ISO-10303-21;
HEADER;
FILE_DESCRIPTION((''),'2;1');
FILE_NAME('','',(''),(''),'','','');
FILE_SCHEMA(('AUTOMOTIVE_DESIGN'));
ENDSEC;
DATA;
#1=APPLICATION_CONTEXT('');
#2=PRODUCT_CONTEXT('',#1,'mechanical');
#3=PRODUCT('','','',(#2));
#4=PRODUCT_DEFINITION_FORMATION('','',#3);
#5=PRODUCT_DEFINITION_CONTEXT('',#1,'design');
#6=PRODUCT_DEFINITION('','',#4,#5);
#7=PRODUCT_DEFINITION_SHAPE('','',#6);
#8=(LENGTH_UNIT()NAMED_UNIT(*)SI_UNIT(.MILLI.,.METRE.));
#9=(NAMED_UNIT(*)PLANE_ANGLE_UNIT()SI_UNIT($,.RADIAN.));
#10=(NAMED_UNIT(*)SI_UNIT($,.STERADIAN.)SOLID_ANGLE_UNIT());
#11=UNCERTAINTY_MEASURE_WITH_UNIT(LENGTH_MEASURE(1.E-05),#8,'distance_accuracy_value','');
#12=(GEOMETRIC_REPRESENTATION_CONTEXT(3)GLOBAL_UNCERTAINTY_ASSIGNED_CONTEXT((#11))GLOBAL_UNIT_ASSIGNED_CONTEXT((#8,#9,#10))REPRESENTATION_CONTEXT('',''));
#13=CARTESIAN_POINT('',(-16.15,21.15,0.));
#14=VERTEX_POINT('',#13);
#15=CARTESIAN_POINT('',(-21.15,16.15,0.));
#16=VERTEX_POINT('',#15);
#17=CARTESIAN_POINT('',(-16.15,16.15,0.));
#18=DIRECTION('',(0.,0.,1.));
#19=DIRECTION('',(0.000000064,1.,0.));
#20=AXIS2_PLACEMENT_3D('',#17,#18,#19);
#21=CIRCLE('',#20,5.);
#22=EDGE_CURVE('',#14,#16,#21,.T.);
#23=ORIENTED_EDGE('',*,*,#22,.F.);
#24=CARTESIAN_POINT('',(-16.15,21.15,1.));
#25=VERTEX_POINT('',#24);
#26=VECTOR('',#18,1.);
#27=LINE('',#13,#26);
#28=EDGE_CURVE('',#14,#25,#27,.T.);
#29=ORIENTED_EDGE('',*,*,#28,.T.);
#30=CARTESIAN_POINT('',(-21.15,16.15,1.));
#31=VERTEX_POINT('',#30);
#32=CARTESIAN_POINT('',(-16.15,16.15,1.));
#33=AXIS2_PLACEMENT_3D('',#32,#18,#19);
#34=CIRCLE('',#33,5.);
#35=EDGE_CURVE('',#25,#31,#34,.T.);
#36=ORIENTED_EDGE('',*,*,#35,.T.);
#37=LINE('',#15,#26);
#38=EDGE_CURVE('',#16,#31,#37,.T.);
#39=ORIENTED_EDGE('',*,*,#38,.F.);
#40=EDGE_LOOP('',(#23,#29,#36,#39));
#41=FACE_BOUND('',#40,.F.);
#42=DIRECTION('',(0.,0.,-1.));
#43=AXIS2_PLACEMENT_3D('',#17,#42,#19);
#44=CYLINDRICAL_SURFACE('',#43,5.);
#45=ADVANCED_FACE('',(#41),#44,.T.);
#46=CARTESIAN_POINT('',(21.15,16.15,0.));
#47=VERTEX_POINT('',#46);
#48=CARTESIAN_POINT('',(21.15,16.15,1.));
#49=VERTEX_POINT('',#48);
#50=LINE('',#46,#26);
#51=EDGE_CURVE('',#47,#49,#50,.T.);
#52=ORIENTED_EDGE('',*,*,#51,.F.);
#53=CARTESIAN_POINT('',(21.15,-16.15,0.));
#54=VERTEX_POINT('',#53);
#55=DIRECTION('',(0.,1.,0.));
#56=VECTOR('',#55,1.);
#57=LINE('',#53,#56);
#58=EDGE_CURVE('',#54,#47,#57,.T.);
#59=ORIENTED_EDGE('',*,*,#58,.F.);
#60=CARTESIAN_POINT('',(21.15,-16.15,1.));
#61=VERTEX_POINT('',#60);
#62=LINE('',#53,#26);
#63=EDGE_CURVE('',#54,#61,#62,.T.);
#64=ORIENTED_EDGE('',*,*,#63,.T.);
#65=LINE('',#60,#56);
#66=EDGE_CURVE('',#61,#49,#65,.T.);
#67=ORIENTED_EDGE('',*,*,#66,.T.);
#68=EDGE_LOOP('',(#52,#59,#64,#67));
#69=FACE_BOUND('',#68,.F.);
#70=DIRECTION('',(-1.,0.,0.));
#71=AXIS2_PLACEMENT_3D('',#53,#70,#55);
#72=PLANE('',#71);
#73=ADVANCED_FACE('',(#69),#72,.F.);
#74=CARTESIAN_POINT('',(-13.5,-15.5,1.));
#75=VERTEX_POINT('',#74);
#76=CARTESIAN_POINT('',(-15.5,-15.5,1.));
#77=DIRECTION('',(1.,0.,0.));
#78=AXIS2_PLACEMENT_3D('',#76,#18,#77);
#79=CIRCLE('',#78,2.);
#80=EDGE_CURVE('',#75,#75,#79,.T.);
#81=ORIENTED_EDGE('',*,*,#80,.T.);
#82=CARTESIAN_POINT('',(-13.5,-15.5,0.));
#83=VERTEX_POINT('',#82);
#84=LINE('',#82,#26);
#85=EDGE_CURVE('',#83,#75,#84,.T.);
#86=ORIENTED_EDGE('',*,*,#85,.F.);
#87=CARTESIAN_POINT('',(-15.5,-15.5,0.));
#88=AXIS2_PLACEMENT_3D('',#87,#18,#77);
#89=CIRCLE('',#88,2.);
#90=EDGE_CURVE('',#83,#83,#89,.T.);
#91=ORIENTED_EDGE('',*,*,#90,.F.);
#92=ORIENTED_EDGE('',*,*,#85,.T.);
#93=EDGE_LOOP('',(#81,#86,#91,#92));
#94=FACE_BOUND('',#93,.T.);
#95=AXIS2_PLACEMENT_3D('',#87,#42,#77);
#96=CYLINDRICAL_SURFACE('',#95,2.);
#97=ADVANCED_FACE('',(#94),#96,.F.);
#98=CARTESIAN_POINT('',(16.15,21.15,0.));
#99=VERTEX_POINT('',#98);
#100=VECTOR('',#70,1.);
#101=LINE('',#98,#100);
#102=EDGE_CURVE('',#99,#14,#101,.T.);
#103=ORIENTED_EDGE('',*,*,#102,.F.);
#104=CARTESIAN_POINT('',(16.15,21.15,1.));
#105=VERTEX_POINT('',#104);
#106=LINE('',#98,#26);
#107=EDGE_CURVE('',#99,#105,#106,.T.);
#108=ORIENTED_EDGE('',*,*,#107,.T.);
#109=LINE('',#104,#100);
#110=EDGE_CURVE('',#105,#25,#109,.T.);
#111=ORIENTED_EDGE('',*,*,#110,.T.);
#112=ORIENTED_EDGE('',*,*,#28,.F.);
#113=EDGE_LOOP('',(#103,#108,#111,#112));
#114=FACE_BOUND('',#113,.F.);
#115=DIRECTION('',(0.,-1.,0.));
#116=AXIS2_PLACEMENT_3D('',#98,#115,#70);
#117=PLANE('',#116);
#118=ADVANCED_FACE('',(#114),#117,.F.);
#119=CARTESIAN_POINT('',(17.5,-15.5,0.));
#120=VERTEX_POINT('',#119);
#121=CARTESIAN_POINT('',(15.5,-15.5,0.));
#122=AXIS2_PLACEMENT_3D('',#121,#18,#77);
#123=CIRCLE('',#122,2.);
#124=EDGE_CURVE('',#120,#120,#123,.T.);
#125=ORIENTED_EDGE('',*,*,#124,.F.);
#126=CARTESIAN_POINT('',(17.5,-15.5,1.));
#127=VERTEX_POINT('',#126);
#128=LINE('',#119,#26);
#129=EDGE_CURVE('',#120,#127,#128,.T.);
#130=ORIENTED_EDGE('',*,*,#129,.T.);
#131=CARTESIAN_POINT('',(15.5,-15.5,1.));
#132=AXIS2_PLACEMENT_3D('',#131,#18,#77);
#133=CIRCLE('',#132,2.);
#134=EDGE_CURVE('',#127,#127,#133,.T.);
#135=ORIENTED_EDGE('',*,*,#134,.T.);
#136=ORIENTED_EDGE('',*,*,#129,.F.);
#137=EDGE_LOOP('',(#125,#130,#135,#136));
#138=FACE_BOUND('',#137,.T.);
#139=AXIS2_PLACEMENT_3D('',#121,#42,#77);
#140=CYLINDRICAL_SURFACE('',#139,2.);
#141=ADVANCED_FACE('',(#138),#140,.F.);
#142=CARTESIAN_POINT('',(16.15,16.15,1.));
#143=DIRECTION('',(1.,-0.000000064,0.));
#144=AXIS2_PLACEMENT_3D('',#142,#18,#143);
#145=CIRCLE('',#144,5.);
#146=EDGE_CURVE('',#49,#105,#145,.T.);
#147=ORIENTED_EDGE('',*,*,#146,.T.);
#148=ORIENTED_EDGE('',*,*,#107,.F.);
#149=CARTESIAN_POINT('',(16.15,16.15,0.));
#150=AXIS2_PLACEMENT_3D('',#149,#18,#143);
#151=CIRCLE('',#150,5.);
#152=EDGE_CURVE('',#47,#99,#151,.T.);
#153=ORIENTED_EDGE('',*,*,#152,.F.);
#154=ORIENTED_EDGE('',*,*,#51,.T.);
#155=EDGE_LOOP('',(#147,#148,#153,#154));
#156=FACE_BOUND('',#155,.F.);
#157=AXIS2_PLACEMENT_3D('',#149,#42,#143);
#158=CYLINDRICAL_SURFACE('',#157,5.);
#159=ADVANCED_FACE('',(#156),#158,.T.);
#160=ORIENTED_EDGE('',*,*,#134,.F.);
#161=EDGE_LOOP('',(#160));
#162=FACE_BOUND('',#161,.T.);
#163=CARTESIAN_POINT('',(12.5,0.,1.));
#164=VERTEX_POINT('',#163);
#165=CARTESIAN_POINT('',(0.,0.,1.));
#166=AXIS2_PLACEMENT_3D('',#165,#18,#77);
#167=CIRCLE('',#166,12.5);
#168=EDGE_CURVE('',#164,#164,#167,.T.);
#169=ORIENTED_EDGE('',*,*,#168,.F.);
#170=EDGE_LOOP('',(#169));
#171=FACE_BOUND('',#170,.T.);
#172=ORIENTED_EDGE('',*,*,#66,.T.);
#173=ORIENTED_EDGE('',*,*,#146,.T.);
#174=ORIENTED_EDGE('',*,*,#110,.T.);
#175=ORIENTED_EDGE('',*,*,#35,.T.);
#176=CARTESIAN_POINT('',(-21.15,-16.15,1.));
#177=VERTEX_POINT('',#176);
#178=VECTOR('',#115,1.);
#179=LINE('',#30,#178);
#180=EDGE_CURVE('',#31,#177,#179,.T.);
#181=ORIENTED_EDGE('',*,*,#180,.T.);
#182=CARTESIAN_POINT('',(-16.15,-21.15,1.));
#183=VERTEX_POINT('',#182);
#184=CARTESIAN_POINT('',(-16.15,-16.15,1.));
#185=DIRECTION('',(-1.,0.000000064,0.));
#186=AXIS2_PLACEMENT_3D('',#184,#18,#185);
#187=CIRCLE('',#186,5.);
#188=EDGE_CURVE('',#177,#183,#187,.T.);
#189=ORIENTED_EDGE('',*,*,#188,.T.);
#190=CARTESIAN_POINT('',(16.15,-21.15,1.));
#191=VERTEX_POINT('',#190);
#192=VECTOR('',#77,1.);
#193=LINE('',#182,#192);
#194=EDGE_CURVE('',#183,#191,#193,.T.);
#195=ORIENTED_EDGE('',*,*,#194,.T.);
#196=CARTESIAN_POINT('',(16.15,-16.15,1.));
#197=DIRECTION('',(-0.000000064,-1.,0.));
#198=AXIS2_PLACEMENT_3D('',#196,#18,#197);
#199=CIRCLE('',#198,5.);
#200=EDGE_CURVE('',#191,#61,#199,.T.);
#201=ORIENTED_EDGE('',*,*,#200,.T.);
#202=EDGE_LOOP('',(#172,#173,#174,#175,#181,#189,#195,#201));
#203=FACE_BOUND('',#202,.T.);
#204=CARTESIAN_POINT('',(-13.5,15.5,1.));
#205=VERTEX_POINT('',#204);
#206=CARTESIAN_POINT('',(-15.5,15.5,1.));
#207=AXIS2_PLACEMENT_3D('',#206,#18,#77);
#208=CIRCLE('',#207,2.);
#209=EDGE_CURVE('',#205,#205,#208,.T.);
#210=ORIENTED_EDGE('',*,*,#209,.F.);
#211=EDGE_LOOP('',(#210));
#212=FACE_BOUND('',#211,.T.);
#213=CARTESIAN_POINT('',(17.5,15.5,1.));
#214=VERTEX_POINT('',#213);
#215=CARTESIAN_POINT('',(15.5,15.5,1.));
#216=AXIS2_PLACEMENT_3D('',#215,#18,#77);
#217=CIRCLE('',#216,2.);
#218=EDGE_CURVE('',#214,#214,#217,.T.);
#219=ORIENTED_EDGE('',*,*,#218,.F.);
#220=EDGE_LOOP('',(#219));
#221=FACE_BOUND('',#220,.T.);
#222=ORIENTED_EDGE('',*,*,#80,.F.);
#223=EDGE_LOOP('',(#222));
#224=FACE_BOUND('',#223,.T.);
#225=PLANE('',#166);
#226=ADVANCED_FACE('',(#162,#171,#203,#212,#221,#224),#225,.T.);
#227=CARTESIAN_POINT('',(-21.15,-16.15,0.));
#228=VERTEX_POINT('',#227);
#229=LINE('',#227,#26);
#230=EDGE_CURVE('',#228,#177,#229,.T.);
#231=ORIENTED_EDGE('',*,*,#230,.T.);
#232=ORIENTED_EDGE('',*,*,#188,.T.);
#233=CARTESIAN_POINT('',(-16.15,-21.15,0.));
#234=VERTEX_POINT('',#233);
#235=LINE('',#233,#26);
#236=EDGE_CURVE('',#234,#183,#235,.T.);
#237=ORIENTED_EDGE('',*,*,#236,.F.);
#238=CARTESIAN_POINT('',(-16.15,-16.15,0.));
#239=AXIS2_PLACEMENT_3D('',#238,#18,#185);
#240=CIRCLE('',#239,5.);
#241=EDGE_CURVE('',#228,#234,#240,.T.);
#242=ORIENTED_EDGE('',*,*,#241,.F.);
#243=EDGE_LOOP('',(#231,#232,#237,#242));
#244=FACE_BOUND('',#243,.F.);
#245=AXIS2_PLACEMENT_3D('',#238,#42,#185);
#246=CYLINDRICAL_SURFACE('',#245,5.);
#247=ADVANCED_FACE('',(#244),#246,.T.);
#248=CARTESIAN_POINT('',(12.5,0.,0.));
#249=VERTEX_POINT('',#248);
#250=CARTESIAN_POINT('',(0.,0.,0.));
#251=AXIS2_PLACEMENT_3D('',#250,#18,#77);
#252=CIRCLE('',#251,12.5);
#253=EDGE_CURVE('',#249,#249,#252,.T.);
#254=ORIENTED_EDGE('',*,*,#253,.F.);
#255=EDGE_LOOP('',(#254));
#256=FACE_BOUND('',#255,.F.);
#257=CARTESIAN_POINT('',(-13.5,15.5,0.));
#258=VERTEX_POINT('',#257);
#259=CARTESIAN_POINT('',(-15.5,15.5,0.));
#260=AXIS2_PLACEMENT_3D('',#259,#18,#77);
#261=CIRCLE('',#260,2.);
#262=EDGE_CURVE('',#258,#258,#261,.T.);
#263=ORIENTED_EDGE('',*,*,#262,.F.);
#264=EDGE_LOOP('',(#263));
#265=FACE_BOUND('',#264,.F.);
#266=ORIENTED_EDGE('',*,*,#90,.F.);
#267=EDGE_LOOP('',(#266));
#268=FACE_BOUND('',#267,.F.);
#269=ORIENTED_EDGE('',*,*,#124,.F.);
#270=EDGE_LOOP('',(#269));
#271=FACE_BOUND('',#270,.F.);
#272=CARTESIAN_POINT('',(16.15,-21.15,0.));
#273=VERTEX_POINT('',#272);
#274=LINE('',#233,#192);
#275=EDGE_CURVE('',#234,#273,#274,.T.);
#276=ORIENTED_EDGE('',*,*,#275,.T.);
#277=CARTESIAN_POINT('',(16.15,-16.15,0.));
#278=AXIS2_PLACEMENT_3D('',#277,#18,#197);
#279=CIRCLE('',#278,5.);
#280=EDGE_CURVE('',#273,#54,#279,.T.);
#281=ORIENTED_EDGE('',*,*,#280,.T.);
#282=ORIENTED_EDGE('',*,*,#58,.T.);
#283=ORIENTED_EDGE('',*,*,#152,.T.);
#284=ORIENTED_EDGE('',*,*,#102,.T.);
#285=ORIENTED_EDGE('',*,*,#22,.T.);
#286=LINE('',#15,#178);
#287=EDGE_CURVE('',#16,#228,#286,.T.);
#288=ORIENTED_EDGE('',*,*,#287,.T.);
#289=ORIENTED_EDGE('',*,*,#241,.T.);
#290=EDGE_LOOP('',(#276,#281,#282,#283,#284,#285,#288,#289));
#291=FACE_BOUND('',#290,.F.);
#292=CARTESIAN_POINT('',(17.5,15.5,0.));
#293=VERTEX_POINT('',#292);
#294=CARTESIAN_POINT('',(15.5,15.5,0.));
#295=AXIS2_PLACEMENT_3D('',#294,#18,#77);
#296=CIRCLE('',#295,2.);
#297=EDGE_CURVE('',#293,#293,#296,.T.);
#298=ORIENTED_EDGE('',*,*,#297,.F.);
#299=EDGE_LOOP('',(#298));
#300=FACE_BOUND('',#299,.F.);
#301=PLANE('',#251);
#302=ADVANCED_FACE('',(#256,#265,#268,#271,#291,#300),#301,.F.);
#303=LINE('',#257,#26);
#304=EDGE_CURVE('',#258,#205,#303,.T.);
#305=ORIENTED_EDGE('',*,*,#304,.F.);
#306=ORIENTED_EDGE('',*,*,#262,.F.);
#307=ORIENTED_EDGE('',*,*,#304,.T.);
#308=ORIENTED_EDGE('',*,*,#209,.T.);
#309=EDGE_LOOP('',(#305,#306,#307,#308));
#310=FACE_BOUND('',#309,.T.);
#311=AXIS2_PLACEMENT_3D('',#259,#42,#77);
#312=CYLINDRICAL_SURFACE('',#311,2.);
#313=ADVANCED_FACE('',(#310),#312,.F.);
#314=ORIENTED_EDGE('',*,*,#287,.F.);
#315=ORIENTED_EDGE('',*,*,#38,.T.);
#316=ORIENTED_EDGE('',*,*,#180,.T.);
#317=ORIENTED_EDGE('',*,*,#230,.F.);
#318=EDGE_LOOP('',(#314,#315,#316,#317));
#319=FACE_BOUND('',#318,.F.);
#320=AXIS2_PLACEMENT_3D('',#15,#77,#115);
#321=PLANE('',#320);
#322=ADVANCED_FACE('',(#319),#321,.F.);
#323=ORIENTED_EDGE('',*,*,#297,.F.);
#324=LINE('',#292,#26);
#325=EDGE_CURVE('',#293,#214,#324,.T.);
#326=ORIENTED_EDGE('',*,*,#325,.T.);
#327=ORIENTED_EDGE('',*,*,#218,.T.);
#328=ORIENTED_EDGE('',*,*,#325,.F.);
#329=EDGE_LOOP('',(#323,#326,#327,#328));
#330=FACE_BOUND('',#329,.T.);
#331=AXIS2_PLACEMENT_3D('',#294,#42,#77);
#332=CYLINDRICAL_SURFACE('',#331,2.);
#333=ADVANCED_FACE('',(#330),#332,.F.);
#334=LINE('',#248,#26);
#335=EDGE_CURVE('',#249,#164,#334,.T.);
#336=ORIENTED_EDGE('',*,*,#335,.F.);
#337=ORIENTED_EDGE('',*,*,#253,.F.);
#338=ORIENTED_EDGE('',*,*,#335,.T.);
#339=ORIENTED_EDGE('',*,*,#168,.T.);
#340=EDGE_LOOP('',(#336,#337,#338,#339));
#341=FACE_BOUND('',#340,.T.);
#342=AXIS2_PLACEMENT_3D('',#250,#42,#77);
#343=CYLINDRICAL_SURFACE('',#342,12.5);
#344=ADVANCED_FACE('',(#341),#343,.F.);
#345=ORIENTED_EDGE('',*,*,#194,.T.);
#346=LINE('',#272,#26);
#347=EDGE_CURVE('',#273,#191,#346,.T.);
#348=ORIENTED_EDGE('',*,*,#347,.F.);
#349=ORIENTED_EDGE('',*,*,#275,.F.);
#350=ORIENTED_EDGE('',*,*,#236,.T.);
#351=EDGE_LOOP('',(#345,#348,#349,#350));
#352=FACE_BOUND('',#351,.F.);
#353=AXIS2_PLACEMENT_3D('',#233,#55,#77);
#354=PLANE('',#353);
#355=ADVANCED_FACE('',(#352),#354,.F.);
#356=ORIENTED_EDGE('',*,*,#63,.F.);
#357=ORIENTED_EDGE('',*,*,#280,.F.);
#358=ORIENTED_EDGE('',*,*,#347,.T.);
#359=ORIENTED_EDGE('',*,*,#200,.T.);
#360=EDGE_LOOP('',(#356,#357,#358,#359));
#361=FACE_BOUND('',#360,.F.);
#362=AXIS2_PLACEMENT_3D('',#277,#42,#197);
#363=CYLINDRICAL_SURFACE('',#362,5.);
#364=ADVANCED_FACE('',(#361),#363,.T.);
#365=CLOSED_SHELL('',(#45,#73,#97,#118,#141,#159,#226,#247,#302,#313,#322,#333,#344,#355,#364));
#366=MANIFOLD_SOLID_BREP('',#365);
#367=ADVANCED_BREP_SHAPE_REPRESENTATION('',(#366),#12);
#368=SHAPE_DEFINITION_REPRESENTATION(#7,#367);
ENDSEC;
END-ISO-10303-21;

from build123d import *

# Parameters (mm, degrees)
F0_R     = 2
F0_R_2   = 12.5
F1_DEPTH = 1


with BuildPart() as f1:
    # F0 (on Top) → F1 (new body)
    with BuildSketch(Plane.XY):
        with BuildLine():
            ThreePointArc((21.15, 16.15), (19.685534, 19.685534), (16.15, 21.15))
            Line((16.15, 21.15), (-16.15, 21.15))
            ThreePointArc((-16.15, 21.15), (-19.685534, 19.685534), (-21.15, 16.15))
            Line((-21.15, 16.15), (-21.15, -16.15))
            ThreePointArc((-21.15, -16.15), (-19.685534, -19.685534), (-16.15, -21.15))
            Line((-16.15, -21.15), (16.15, -21.15))
            ThreePointArc((16.15, -21.15), (19.685534, -19.685534), (21.15, -16.15))
            Line((21.15, -16.15), (21.15, 16.15))
        make_face()
        with Locations((-15.5, -15.5)):
            Circle(F0_R, mode=Mode.SUBTRACT)
        with Locations((15.5, -15.5)):
            Circle(F0_R, mode=Mode.SUBTRACT)
        with Locations((-15.5, 15.5)):
            Circle(F0_R, mode=Mode.SUBTRACT)
        Circle(F0_R_2, mode=Mode.SUBTRACT)
        with Locations((15.5, 15.5)):
            Circle(F0_R, mode=Mode.SUBTRACT)
    extrude(amount=F1_DEPTH)


solid = f1.part
